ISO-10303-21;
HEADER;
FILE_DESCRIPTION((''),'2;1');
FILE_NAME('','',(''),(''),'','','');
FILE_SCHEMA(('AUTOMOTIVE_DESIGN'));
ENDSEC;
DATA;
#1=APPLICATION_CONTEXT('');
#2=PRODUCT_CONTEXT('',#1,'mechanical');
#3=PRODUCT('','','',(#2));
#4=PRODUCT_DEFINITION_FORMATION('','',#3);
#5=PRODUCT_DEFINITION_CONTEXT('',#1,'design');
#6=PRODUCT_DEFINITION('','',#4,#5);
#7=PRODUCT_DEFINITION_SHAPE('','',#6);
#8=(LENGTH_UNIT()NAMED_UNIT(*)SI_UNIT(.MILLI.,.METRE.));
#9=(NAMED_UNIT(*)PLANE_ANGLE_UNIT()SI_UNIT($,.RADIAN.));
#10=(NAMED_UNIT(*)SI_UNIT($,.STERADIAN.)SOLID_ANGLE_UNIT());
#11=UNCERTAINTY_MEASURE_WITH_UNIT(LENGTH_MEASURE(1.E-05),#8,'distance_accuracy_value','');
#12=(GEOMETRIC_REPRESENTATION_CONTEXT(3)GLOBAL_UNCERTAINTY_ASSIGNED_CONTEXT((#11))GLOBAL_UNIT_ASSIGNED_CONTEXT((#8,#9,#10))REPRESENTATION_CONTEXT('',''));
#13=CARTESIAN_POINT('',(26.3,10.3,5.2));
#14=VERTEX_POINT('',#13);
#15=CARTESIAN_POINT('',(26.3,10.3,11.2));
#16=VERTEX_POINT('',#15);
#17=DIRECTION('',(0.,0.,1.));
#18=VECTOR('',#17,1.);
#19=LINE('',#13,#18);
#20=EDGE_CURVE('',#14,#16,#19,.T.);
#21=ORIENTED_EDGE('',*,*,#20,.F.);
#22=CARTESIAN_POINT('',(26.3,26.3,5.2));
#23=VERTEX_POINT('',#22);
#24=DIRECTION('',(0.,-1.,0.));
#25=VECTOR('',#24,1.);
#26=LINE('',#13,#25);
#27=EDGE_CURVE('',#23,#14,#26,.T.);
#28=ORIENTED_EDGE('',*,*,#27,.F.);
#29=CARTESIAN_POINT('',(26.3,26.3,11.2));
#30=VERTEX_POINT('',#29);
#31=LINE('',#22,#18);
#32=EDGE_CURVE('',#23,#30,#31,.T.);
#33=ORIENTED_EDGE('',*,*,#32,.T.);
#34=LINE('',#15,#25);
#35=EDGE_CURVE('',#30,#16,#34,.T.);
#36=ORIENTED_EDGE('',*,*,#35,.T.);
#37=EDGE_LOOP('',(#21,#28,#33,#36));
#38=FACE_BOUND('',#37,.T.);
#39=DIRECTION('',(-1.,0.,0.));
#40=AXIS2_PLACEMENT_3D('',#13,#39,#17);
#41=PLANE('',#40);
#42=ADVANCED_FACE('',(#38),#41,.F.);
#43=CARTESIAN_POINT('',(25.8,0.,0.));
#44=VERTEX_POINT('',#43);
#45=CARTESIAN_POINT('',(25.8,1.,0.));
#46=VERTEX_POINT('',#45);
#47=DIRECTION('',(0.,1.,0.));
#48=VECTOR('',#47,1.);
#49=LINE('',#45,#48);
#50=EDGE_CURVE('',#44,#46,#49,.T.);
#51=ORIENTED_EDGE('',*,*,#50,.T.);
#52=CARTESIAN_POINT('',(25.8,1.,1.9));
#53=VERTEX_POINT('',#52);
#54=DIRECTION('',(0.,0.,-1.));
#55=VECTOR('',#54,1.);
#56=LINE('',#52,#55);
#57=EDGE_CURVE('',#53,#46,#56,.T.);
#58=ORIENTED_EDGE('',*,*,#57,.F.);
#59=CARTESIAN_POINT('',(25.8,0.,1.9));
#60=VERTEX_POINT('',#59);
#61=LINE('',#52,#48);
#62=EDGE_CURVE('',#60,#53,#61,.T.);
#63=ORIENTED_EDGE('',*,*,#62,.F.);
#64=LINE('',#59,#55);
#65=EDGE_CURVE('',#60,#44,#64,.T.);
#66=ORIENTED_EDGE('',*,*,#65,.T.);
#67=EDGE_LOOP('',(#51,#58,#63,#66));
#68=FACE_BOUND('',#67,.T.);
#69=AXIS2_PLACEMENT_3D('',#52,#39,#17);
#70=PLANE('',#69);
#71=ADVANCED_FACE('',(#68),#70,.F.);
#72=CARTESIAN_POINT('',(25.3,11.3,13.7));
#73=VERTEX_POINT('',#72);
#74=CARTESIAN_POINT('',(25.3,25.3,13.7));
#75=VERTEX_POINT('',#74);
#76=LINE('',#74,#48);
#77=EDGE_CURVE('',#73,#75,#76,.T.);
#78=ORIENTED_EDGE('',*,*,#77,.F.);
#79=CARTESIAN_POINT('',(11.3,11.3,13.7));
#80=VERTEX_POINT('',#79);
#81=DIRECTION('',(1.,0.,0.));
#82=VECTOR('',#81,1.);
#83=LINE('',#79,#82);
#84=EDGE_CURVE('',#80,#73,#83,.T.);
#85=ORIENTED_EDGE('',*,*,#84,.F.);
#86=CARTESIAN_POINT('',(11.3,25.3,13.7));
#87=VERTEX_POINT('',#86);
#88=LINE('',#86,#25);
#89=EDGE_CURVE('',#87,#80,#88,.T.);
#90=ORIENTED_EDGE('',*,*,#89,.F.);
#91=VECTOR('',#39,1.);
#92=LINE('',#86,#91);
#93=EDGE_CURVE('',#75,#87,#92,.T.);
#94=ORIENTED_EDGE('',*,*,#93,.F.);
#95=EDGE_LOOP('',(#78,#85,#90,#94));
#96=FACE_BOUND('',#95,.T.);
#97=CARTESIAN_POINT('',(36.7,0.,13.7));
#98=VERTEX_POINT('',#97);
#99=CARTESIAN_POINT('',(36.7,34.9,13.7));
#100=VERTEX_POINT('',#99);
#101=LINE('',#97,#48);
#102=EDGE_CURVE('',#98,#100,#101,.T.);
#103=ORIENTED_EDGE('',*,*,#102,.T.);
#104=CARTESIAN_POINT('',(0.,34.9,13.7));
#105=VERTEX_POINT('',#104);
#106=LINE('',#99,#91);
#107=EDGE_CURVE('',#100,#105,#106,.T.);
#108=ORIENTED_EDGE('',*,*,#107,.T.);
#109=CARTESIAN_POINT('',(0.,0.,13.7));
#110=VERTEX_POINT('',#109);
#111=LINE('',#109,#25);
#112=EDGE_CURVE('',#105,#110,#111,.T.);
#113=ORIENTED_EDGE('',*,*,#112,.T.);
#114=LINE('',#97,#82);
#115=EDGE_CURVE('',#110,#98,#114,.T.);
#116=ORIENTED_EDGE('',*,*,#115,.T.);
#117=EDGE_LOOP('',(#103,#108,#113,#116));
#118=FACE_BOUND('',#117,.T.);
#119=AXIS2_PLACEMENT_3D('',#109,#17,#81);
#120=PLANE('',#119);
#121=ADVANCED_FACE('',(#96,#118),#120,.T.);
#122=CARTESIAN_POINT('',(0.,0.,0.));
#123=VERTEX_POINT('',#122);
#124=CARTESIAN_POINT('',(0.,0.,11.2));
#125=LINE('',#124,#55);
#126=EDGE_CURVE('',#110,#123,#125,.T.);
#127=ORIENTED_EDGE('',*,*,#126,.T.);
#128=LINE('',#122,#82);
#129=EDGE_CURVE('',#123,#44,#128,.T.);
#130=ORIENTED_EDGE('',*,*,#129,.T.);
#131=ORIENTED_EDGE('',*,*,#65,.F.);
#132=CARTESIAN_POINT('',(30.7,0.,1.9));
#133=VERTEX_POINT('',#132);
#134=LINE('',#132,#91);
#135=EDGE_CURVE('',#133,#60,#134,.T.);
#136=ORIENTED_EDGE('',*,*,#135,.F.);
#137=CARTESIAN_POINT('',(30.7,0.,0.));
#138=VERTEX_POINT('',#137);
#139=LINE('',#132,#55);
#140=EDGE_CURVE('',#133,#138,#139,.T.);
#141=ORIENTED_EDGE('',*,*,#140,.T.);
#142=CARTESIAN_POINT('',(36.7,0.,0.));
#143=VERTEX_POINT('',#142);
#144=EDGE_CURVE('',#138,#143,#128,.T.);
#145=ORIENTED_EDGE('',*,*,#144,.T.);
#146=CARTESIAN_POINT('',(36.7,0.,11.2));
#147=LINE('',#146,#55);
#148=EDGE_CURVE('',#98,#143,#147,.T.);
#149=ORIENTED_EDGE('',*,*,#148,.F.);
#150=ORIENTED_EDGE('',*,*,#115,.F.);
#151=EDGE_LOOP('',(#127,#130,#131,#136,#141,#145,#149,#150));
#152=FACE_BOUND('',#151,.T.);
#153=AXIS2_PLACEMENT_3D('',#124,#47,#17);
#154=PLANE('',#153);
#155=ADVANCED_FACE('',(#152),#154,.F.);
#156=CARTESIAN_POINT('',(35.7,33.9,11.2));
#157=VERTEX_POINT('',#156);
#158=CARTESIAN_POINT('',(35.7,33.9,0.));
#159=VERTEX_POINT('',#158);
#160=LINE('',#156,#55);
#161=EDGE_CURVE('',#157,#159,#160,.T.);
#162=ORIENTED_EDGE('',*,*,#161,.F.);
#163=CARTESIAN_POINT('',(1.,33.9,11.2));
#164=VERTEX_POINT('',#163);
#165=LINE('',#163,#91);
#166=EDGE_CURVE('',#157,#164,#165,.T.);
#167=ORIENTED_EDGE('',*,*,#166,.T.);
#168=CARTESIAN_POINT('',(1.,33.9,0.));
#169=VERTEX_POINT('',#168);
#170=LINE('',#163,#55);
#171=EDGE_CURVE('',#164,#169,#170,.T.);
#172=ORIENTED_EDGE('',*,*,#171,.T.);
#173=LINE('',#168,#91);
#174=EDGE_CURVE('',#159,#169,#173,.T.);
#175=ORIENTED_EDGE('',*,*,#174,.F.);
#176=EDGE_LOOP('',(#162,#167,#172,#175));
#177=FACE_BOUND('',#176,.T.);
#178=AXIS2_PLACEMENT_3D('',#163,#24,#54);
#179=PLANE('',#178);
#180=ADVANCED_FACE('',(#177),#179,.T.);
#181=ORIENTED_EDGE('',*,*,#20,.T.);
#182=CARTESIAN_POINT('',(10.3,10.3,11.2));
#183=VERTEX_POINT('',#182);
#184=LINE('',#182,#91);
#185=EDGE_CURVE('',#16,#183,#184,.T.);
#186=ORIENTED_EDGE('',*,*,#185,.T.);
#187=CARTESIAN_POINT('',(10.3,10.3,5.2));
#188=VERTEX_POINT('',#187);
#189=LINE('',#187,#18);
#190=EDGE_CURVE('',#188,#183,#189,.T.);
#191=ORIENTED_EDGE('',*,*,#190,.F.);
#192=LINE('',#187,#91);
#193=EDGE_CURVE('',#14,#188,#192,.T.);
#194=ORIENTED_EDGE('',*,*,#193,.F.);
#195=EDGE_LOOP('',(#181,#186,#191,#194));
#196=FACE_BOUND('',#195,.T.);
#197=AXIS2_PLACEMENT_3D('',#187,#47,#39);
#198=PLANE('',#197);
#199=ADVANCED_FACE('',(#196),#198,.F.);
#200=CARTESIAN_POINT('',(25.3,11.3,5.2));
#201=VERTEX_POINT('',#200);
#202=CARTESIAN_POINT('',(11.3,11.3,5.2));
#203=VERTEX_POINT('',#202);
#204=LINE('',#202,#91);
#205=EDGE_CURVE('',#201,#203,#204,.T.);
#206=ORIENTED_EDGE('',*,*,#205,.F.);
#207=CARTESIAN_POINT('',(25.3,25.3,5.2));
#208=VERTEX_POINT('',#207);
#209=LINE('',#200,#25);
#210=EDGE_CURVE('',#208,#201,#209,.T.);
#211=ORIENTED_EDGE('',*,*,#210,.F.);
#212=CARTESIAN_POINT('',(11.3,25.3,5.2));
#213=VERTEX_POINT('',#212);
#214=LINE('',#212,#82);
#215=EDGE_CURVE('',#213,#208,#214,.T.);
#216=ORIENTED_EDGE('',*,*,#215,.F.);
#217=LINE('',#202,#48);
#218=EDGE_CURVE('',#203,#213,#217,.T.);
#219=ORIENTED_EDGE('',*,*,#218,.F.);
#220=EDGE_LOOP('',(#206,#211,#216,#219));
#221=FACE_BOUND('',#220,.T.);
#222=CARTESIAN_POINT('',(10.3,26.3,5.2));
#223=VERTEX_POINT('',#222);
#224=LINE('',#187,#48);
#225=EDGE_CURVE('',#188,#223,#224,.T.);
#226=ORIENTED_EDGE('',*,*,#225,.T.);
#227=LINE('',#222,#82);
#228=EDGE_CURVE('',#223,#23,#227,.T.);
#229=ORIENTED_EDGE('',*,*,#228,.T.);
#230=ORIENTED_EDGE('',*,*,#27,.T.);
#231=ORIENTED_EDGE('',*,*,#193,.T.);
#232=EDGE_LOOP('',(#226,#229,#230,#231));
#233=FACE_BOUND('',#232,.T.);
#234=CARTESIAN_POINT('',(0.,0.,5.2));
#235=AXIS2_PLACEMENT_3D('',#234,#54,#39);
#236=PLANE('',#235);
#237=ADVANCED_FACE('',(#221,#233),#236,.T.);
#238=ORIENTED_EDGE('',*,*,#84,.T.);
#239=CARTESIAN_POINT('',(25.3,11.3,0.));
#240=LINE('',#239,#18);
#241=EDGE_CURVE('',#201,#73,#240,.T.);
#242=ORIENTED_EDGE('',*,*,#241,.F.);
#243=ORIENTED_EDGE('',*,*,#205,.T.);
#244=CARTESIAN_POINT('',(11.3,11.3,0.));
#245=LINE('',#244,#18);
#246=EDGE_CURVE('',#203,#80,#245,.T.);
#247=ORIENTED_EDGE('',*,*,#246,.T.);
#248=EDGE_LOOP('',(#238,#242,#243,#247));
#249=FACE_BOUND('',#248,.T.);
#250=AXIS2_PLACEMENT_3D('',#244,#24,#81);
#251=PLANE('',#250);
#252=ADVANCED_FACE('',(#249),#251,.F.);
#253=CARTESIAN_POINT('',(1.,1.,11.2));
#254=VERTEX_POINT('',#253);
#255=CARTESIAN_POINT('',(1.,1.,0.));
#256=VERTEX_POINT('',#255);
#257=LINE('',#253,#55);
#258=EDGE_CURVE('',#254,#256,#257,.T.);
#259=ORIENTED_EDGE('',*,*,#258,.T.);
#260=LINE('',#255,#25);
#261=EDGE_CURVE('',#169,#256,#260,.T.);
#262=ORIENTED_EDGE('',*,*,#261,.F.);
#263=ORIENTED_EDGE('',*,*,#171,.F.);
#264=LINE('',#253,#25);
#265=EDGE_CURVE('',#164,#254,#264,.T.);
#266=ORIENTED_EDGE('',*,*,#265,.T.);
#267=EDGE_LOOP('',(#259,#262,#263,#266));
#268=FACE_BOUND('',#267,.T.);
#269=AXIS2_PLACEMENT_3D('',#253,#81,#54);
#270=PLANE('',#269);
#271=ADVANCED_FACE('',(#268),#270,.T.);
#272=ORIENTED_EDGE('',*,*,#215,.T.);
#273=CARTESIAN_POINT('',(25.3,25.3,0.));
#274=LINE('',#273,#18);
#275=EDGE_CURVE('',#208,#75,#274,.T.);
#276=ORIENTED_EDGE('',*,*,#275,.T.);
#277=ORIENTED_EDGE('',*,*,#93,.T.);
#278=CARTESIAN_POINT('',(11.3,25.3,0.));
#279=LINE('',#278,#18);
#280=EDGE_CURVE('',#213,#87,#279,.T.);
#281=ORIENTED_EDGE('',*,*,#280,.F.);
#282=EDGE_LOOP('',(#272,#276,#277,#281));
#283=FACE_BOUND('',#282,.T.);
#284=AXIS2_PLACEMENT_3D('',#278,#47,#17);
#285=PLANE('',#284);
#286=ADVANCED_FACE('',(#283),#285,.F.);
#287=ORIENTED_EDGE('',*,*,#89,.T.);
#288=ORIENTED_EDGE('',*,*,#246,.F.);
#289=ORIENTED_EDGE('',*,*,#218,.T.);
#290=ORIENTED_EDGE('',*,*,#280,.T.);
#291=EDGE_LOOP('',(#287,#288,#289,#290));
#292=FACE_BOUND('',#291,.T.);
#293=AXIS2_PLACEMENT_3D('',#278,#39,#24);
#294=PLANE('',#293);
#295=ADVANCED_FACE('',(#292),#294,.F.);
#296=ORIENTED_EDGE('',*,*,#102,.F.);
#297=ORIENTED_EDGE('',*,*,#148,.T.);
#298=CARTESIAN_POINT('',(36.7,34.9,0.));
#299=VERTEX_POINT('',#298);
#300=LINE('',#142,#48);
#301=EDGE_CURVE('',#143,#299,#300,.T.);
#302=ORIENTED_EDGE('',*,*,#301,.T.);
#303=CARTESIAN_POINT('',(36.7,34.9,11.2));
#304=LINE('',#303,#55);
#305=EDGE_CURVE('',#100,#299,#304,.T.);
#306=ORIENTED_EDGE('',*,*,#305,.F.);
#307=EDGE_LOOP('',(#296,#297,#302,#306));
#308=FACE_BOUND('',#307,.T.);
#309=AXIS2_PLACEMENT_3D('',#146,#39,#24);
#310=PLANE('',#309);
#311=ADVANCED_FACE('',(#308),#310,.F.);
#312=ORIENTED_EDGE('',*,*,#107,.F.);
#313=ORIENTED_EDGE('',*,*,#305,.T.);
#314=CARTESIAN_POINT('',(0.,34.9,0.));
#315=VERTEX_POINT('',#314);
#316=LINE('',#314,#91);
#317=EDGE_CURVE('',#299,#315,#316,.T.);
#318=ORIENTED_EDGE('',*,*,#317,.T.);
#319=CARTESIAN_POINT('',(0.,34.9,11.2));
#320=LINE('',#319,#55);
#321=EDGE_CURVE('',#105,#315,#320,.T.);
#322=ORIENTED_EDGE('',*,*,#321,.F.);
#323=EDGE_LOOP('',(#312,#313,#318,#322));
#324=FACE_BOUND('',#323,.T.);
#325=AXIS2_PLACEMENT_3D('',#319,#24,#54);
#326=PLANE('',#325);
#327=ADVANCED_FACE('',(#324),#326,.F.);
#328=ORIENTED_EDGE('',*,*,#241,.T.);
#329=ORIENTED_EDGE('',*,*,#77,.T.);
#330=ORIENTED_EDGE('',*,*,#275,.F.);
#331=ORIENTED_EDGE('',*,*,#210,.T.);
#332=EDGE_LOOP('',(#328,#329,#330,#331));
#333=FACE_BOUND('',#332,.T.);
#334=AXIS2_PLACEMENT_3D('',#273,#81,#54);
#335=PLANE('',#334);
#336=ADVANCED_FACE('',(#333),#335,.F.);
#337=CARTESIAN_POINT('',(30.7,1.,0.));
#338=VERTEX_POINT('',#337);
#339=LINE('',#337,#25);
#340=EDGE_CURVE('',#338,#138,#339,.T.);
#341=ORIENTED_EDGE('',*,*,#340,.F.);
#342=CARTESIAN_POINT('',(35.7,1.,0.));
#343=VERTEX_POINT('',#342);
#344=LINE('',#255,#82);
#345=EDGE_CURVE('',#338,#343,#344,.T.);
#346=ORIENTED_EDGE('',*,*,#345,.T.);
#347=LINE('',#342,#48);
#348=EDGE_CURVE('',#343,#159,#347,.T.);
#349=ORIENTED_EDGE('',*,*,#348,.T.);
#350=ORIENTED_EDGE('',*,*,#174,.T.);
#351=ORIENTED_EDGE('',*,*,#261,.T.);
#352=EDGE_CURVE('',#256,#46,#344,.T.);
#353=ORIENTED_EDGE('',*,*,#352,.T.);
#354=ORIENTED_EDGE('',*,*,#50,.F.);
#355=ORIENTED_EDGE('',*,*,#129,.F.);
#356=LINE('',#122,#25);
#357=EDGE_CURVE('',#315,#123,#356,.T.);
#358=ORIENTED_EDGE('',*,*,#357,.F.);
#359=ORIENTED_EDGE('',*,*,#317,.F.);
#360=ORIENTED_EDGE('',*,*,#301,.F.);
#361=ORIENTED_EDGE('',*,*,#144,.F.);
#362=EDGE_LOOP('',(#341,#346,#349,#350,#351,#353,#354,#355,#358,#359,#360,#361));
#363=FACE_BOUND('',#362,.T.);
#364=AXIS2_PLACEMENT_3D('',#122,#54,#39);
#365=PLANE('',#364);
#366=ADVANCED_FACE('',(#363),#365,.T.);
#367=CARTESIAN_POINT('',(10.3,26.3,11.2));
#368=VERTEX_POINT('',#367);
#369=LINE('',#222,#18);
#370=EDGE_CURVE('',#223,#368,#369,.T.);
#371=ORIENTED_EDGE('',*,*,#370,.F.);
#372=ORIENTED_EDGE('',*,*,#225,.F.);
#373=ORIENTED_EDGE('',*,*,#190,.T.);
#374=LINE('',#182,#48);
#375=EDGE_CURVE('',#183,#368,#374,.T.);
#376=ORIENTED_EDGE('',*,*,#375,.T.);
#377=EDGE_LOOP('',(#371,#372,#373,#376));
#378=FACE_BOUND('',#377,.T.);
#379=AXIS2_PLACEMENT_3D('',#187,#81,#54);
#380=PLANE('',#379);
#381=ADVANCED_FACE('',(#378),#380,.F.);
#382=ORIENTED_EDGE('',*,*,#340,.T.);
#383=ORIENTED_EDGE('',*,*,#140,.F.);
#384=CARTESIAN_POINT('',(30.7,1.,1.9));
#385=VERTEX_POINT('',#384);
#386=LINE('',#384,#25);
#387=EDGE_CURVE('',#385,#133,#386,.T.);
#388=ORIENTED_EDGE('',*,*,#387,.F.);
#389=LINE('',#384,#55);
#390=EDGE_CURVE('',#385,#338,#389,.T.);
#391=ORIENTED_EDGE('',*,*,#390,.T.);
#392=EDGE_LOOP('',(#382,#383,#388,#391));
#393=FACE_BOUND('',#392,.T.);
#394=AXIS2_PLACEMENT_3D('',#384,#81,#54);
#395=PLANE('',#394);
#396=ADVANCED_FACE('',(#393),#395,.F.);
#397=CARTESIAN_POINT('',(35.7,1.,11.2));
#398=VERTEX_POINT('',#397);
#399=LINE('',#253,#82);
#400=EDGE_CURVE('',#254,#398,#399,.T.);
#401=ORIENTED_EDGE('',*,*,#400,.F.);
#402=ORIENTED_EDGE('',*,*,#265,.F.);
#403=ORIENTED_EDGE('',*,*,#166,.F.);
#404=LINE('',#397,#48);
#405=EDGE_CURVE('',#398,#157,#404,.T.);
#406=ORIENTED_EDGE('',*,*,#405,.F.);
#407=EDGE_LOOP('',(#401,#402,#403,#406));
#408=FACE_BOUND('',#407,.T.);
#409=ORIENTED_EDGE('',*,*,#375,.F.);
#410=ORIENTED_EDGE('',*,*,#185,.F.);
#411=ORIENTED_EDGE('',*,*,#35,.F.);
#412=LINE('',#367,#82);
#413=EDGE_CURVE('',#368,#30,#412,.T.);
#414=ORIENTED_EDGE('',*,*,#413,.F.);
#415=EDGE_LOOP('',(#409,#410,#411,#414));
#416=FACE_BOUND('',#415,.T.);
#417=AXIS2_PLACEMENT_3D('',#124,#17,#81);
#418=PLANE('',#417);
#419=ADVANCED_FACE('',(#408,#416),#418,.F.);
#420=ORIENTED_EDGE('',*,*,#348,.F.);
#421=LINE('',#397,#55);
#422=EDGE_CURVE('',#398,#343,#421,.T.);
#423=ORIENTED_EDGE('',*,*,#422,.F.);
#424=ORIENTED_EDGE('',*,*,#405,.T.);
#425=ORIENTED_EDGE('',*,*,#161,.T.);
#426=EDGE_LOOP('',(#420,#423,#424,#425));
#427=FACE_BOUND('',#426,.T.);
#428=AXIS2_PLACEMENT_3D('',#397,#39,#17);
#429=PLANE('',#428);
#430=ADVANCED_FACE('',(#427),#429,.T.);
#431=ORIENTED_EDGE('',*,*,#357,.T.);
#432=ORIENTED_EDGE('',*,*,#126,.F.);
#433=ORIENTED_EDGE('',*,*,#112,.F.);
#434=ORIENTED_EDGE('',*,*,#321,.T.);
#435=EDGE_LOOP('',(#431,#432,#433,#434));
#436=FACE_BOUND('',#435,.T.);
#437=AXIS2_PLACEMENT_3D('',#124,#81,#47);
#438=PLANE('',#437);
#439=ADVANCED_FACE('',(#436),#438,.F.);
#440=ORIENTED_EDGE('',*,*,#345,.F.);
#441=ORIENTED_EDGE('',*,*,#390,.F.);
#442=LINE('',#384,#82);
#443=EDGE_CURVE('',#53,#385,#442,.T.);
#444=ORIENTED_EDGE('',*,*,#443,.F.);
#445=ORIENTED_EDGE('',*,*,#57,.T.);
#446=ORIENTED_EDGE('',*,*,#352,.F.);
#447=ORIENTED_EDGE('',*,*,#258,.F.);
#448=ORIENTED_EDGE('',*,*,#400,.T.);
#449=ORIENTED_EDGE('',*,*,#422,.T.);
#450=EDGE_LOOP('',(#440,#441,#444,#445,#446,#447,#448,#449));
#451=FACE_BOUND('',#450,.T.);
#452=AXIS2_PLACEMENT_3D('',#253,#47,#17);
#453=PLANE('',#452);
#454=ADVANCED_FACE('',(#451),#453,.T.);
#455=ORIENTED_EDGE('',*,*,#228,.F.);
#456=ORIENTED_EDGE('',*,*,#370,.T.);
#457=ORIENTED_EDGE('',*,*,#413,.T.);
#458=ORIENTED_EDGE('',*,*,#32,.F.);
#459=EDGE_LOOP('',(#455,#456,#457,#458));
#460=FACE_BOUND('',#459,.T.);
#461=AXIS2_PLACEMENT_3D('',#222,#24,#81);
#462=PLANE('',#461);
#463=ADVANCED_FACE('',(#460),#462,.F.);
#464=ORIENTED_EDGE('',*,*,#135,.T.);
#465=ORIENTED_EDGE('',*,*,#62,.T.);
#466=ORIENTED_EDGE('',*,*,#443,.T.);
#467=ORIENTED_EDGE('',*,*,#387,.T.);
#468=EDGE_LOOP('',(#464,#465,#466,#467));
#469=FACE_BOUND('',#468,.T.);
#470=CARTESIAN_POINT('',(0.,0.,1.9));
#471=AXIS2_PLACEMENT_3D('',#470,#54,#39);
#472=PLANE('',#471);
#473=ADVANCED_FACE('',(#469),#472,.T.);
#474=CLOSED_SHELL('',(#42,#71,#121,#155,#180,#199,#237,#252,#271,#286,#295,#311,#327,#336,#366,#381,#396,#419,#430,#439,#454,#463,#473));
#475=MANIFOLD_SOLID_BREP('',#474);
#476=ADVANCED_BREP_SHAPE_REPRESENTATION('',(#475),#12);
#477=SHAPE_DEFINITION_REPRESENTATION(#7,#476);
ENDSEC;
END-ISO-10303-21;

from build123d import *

# Parameters (mm, degrees)
SKETCH1_W           = 36.7
SKETCH1_H           = 34.9
SKETCH1_W_2         = 34.7
SKETCH1_H_2         = 32.9
BOSS_EXTRUDE1_DEPTH = 11.2
SKETCH2_W           = 4.9
SKETCH2_H           = 1
CUT_EXTRUDE1_DEPTH  = 1.9
SKETCH4_W           = 36.7
SKETCH4_H           = 34.9
BOSS_EXTRUDE3_DEPTH = 2.5
SKETCH5_W           = 14
SKETCH5_H           = 14
CUT_EXTRUDE2_DEPTH  = 14.7
SKETCH6_W           = 16
SKETCH6_H           = 16
SKETCH6_W_2         = 14
SKETCH6_H_2         = 14
BOSS_EXTRUDE4_DEPTH = 6


with BuildPart() as part:
    # Sketch1 → Boss-Extrude1 (new body)
    with BuildSketch(Plane.XY):
        with Locations((18.35, 17.45)):
            Rectangle(SKETCH1_W, SKETCH1_H)
        with Locations((18.35, 17.45)):
            Rectangle(SKETCH1_W_2, SKETCH1_H_2, mode=Mode.SUBTRACT)
    extrude(amount=BOSS_EXTRUDE1_DEPTH)

    # Sketch2 → Cut-Extrude1 (cut)
    with BuildSketch(Plane(origin=(0, 0, 0), x_dir=(-1, 0, 0), z_dir=(0, 0, -1))):
        with Locations((-28.25, 0.5)):
            Rectangle(SKETCH2_W, SKETCH2_H)
    extrude(amount=-CUT_EXTRUDE1_DEPTH, mode=Mode.SUBTRACT)

    # Sketch4 → Boss-Extrude3 (add)
    with BuildSketch(Plane.XY.offset(11.2)):
        with Locations((18.35, 17.45)):
            Rectangle(SKETCH4_W, SKETCH4_H)
    extrude(amount=BOSS_EXTRUDE3_DEPTH)

    # Sketch5 → Cut-Extrude2 (cut, through all)
    with BuildSketch(Plane.XY.offset(13.7)):
        with Locations((18.3, 18.3)):
            Rectangle(SKETCH5_W, SKETCH5_H)
    extrude(amount=-CUT_EXTRUDE2_DEPTH, mode=Mode.SUBTRACT)

    # Sketch6 → Boss-Extrude4 (add)
    with BuildSketch(Plane(origin=(0, 0, 11.2), x_dir=(-1, 0, 0), z_dir=(0, 0, -1))):
        with Locations((-18.3, 18.3)):
            Rectangle(SKETCH6_W, SKETCH6_H)
        with Locations((-18.3, 18.3)):
            Rectangle(SKETCH6_W_2, SKETCH6_H_2, mode=Mode.SUBTRACT)
    extrude(amount=BOSS_EXTRUDE4_DEPTH)


solid = part.part
